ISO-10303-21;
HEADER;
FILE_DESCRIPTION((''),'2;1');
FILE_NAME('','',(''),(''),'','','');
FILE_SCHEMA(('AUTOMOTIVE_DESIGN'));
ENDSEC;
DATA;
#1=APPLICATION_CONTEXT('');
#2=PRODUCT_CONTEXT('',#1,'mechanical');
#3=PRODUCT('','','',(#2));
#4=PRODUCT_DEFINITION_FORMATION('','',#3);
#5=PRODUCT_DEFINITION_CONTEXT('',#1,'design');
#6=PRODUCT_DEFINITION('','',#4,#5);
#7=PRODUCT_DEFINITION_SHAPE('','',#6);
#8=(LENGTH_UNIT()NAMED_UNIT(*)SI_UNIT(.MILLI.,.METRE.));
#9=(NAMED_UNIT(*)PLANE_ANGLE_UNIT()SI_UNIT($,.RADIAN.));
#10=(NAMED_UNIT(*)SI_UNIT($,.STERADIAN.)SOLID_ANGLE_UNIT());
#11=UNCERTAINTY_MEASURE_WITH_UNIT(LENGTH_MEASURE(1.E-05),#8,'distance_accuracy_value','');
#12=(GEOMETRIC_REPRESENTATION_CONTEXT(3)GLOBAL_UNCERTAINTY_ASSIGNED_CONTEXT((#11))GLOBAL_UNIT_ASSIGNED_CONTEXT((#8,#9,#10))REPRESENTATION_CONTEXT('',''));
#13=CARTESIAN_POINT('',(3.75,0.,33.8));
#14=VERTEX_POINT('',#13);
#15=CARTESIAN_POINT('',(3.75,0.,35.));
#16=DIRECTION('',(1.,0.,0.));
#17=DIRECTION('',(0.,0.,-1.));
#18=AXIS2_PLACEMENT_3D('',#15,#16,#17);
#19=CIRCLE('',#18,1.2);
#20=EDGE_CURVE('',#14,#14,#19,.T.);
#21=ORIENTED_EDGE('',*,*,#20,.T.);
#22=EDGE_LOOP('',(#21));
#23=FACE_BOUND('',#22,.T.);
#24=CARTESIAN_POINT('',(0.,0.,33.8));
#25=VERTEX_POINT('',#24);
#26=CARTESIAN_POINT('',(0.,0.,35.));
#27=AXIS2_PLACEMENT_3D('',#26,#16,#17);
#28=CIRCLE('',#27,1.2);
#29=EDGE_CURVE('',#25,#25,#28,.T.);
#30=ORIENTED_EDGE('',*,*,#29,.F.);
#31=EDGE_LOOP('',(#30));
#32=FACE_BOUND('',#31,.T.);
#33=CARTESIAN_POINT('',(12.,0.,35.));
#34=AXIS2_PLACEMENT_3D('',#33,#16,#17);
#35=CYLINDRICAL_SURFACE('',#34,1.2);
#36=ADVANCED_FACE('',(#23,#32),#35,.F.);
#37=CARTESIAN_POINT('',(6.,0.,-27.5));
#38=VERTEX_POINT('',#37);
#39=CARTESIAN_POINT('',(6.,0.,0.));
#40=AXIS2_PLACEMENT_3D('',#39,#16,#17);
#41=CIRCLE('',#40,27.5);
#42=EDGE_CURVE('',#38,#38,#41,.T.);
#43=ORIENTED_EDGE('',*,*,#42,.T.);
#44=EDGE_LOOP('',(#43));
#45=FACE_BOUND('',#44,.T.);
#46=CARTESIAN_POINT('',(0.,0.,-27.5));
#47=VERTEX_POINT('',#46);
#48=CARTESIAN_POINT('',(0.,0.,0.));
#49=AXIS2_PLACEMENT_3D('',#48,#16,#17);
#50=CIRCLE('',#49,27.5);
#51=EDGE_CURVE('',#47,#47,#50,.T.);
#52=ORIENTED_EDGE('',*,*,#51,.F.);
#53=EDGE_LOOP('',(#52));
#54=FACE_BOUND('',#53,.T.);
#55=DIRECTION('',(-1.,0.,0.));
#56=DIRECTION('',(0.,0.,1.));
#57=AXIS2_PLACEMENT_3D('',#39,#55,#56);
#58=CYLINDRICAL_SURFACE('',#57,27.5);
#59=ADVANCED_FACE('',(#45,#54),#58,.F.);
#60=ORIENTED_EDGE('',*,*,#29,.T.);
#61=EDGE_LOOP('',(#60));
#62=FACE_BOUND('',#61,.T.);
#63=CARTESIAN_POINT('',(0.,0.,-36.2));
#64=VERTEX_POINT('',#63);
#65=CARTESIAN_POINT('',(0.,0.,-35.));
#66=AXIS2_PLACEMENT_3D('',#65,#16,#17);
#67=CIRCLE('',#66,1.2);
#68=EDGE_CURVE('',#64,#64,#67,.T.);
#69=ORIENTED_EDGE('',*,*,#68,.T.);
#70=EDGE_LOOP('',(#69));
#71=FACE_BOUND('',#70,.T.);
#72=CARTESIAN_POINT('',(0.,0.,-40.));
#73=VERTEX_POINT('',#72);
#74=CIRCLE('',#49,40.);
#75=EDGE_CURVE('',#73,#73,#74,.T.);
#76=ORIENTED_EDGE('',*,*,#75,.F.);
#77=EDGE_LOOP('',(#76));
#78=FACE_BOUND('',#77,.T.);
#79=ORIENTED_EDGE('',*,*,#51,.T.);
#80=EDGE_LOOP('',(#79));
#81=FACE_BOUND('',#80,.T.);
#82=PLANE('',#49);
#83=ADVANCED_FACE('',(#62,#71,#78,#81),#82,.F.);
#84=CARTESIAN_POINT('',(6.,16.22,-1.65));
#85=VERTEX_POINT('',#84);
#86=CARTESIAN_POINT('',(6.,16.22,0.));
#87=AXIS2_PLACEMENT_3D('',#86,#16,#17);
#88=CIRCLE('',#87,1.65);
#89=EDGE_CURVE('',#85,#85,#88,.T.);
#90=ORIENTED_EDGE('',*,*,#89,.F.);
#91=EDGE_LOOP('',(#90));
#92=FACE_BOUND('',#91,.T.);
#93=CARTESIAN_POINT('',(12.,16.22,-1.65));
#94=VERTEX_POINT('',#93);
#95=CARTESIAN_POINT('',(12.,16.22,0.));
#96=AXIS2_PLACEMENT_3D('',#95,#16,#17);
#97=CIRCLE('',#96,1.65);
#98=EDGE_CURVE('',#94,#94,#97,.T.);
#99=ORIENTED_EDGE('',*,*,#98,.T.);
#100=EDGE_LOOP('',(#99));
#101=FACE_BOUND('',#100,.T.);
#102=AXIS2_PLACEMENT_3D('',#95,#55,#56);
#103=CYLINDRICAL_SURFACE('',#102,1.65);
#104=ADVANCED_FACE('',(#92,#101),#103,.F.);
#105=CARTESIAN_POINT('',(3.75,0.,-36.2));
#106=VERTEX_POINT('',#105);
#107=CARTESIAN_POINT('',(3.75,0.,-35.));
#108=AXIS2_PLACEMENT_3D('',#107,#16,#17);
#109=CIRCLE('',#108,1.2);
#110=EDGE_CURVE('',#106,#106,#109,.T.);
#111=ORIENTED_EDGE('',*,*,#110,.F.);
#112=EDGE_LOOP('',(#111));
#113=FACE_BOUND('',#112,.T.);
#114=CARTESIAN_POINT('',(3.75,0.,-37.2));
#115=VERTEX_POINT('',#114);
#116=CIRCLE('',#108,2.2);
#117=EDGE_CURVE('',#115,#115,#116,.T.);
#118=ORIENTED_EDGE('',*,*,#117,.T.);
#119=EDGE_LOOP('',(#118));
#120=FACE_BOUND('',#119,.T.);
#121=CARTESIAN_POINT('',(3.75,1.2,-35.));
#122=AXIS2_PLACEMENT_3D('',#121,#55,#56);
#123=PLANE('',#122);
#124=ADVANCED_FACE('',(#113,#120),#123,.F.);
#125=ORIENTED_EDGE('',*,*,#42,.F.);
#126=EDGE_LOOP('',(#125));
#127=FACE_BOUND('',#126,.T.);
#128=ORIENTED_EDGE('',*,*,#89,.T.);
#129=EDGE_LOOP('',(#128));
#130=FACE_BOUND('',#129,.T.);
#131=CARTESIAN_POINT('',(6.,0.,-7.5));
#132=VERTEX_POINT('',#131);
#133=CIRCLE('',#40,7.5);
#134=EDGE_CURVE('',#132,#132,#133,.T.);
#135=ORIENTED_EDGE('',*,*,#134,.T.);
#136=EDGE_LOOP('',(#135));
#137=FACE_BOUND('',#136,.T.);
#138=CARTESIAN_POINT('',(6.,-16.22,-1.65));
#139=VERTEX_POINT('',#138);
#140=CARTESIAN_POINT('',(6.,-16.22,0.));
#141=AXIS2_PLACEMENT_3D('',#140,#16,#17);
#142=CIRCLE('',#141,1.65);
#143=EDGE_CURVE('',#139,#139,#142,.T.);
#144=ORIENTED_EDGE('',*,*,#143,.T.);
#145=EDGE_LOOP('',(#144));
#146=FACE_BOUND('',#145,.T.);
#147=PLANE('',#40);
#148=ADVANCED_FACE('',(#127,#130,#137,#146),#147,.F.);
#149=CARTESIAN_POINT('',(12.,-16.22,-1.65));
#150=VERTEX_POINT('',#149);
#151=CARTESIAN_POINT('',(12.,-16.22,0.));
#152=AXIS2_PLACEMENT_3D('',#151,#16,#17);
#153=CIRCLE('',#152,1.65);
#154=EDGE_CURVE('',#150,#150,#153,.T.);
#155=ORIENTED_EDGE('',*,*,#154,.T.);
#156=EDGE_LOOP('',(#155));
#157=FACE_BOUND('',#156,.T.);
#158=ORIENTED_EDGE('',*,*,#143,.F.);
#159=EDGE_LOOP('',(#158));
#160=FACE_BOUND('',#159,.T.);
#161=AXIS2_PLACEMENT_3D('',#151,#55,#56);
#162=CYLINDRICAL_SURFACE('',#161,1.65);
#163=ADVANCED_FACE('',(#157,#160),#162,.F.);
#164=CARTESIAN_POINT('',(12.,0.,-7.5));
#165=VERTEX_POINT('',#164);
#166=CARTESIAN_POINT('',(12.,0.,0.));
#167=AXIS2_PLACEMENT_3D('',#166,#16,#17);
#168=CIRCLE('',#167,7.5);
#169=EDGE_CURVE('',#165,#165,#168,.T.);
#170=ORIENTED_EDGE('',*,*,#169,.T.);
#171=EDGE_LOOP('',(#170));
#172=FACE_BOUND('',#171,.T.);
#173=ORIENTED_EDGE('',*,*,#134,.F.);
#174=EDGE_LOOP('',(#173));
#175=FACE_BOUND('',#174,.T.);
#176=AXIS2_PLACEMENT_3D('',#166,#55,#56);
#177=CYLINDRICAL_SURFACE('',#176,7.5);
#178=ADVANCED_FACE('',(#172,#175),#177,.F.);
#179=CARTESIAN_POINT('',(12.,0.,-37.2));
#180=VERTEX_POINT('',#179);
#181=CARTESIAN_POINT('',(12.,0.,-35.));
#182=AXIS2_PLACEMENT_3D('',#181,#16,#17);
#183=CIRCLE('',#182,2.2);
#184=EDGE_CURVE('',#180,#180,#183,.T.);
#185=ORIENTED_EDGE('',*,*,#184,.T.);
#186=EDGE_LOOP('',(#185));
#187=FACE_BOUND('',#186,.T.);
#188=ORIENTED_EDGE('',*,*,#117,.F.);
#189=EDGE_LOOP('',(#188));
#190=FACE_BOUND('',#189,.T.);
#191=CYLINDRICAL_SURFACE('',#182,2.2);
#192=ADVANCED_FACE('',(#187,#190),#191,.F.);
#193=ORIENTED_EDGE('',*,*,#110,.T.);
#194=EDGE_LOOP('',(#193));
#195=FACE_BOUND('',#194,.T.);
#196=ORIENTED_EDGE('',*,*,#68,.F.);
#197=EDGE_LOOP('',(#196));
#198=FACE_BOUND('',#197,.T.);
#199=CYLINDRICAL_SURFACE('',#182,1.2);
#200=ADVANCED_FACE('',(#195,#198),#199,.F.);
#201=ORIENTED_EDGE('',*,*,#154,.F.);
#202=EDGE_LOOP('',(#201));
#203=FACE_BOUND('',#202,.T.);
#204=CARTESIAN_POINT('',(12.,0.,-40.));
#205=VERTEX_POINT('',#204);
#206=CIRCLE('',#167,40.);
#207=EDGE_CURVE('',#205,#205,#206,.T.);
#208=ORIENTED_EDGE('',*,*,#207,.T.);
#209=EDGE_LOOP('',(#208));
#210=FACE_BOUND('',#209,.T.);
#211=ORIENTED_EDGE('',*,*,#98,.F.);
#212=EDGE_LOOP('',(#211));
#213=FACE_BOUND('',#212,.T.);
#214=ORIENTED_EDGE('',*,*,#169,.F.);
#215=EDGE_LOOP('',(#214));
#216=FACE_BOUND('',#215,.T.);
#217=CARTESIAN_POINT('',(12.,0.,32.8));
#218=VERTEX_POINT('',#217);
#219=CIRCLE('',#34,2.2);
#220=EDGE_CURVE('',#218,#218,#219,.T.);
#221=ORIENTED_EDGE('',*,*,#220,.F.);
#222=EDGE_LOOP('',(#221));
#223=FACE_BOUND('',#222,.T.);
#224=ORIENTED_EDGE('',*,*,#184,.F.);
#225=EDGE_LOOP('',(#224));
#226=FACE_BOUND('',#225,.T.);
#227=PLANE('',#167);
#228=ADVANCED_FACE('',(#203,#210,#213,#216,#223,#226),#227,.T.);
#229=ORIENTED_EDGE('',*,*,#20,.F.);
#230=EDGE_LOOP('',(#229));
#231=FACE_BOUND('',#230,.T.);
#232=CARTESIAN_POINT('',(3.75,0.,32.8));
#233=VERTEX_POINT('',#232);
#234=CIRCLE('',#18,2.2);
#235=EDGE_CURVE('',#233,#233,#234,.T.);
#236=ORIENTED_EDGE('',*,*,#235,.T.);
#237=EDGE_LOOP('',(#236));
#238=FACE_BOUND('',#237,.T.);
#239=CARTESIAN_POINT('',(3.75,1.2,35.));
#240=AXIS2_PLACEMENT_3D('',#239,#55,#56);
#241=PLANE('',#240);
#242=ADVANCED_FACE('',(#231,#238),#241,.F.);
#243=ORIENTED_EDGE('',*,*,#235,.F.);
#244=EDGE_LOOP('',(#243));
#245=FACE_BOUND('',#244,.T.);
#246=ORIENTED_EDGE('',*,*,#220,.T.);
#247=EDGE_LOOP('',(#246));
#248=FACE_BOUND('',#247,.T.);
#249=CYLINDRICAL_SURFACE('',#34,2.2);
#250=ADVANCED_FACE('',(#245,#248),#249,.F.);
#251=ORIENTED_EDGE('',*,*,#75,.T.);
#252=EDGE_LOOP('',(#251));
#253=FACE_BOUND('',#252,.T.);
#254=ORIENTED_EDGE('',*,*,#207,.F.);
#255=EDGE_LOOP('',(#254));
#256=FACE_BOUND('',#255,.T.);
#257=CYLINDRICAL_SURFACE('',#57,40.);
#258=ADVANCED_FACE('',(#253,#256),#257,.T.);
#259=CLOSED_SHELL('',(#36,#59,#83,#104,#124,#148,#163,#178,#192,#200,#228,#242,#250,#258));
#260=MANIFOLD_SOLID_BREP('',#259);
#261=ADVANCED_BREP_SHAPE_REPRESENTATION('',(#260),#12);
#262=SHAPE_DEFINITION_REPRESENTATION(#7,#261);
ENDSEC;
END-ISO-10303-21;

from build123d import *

# Parameters (mm, degrees)
SKETCH1_R                      = 40
SKETCH1_R_2                    = 27.5
BOSS_EXTRUDE1_DEPTH            = 6
SKETCH4_R                      = 40
SKETCH4_R_2                    = 1.65
SKETCH4_R_3                    = 7.5
BOSS_EXTRUDE3_DEPTH            = 6
CBORE_FOR_M2_SHCS1_D           = 2.4
CBORE_FOR_M2_SHCS1_DEPTH       = 12
CBORE_FOR_M2_SHCS1_CBORE_D     = 4.4
CBORE_FOR_M2_SHCS1_CBORE_DEPTH = 8.25


with BuildPart() as part:
    # Sketch1 → Boss-Extrude1 (new body)
    with BuildSketch(Plane(origin=(0, 0, 0), x_dir=(0, 0, -1), z_dir=(1, 0, 0))):
        Circle(SKETCH1_R)
        Circle(SKETCH1_R_2, mode=Mode.SUBTRACT)
    extrude(amount=BOSS_EXTRUDE1_DEPTH)

    # Sketch4 → Boss-Extrude3 (add)
    with BuildSketch(Plane(origin=(6, 0, 8), x_dir=(0, 1, 0), z_dir=(1, 0, 0))):
        with Locations(Location((0, -8, 0), (0, 0, 270))):
            Circle(SKETCH4_R)
        with Locations(Location((-16.22, -8, 0), (0, 0, 270))):
            Circle(SKETCH4_R_2, mode=Mode.SUBTRACT)
        with Locations(Location((16.22, -8, 0), (0, 0, 270))):
            Circle(SKETCH4_R_2, mode=Mode.SUBTRACT)
        with Locations(Location((0, -8, 0), (0, 0, 270))):
            Circle(SKETCH4_R_3, mode=Mode.SUBTRACT)
    extrude(amount=BOSS_EXTRUDE3_DEPTH)

    # CBORE for M2 SHCS1
    with Locations(Plane(origin=(12, 0, 0), x_dir=(0, 0, -1), z_dir=(1, 0, 0))):
        with Locations((0, 0), (-35, 0), (35, 0)):
            CounterBoreHole(CBORE_FOR_M2_SHCS1_D / 2, CBORE_FOR_M2_SHCS1_CBORE_D / 2, CBORE_FOR_M2_SHCS1_CBORE_DEPTH, depth=CBORE_FOR_M2_SHCS1_DEPTH)


solid = part.part
